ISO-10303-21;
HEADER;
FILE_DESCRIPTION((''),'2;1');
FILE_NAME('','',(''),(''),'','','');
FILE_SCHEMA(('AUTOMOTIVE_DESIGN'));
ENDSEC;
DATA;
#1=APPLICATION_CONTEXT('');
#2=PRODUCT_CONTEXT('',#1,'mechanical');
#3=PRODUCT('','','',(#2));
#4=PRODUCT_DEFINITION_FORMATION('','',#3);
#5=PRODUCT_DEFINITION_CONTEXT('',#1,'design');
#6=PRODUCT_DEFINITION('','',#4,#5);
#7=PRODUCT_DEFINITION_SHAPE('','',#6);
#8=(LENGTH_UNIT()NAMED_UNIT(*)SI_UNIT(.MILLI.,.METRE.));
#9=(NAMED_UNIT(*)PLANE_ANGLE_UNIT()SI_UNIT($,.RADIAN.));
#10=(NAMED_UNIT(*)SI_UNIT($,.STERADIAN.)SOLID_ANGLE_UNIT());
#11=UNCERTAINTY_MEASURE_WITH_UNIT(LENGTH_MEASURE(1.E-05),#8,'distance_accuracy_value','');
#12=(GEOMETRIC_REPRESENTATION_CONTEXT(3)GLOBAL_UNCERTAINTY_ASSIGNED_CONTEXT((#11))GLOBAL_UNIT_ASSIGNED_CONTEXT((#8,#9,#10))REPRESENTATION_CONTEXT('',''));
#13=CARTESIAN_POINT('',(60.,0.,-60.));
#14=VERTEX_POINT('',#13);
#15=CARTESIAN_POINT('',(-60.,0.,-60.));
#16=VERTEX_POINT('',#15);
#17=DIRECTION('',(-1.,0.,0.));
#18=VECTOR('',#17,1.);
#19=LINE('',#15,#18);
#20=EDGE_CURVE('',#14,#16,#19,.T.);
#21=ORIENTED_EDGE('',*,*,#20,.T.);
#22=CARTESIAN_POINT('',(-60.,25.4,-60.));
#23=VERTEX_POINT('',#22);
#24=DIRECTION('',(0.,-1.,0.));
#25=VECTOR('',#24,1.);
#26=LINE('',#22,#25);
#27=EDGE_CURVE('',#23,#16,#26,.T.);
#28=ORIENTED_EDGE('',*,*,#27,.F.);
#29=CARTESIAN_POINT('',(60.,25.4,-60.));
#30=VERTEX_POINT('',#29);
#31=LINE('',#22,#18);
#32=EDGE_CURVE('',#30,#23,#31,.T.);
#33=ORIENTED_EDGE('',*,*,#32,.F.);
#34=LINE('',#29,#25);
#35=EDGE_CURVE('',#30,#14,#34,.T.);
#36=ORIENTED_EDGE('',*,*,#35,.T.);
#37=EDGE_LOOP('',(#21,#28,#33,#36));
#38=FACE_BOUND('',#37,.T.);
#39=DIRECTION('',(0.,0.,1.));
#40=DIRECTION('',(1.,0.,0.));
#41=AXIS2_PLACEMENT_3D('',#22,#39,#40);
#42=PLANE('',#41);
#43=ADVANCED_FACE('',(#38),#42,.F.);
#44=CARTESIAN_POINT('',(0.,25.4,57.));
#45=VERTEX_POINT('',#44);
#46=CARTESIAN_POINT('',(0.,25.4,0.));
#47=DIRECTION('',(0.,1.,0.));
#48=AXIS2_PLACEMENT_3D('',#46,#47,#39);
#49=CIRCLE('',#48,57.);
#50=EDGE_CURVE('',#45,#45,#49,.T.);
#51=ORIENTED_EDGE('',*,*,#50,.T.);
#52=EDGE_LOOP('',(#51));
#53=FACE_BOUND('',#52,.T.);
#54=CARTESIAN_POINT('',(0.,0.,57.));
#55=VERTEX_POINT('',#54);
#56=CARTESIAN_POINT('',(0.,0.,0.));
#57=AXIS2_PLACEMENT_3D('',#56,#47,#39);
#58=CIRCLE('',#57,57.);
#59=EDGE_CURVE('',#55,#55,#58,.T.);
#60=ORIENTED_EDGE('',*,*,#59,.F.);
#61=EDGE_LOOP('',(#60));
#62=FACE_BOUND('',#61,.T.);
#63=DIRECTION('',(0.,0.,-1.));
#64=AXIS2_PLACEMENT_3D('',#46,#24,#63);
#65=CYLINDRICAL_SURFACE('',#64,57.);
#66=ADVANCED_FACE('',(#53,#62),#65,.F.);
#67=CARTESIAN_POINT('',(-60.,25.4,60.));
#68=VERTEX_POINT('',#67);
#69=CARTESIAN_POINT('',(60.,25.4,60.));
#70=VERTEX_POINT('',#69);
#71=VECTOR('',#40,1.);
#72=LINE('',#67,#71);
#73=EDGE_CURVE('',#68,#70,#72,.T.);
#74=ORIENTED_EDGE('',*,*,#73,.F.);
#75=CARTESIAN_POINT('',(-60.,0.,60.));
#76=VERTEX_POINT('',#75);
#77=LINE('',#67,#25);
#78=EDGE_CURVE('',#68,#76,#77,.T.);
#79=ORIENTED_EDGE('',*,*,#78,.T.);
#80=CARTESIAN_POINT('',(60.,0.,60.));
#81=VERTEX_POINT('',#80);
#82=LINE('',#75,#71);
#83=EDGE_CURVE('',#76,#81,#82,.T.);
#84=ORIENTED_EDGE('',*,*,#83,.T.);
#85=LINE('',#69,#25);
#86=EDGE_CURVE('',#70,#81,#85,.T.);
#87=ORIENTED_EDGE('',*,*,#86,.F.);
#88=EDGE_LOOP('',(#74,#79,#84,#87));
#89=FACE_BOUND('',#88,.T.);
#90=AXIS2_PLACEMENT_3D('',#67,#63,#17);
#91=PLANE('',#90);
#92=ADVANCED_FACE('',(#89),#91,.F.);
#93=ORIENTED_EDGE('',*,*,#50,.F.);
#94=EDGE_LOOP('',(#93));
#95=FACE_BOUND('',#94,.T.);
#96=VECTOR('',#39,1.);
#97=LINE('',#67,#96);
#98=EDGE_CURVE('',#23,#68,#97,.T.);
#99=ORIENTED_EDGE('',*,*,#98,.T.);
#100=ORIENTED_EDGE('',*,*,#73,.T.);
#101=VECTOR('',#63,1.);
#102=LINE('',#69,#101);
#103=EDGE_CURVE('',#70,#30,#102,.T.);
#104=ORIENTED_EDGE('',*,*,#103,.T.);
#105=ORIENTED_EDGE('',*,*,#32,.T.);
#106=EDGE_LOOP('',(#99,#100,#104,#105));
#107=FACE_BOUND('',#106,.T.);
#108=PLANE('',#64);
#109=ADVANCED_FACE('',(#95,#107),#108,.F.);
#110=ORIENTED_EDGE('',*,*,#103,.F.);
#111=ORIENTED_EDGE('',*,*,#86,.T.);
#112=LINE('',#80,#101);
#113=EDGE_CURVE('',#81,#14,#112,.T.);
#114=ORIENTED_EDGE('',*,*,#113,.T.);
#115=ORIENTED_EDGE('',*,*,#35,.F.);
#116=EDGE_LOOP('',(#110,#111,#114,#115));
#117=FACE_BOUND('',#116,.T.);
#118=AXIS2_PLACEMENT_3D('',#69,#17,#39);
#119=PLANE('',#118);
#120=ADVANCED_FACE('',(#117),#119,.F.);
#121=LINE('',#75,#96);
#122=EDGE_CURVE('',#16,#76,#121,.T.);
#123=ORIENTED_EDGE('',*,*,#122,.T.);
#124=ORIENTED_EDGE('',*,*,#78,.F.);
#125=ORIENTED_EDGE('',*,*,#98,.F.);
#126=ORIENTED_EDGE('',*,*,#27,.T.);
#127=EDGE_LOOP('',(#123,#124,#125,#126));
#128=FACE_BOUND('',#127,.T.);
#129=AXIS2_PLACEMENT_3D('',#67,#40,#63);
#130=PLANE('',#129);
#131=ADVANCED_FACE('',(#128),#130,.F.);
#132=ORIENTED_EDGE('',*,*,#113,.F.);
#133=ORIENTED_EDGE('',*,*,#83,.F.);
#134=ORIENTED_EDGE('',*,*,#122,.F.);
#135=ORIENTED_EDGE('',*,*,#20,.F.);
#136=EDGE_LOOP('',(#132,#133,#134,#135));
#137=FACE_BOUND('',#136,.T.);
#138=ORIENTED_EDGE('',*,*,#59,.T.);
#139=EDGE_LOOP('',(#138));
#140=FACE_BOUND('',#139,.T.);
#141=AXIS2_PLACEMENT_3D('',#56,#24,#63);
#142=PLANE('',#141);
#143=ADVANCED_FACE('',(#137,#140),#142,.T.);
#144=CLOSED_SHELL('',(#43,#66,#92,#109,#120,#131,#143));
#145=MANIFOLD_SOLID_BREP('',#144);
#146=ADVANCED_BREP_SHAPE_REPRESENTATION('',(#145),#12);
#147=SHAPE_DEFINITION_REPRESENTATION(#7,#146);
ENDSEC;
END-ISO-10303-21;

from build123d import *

# Parameters (mm, degrees)
SKETCH2_W           = 120
SKETCH2_H           = 120
SKETCH2_R           = 57
BOSS_EXTRUDE1_DEPTH = 25.4


with BuildPart() as part:
    # Sketch2 → Boss-Extrude1 (new body)
    with BuildSketch(Plane(origin=(0, 0, 0), x_dir=(1, 0, 0), z_dir=(0, 1, 0))):
        Rectangle(SKETCH2_W, SKETCH2_H)
        with Locations(Location((0, 0, 0), (0, 0, 270))):
            Circle(SKETCH2_R, mode=Mode.SUBTRACT)
    extrude(amount=BOSS_EXTRUDE1_DEPTH)


solid = part.part
